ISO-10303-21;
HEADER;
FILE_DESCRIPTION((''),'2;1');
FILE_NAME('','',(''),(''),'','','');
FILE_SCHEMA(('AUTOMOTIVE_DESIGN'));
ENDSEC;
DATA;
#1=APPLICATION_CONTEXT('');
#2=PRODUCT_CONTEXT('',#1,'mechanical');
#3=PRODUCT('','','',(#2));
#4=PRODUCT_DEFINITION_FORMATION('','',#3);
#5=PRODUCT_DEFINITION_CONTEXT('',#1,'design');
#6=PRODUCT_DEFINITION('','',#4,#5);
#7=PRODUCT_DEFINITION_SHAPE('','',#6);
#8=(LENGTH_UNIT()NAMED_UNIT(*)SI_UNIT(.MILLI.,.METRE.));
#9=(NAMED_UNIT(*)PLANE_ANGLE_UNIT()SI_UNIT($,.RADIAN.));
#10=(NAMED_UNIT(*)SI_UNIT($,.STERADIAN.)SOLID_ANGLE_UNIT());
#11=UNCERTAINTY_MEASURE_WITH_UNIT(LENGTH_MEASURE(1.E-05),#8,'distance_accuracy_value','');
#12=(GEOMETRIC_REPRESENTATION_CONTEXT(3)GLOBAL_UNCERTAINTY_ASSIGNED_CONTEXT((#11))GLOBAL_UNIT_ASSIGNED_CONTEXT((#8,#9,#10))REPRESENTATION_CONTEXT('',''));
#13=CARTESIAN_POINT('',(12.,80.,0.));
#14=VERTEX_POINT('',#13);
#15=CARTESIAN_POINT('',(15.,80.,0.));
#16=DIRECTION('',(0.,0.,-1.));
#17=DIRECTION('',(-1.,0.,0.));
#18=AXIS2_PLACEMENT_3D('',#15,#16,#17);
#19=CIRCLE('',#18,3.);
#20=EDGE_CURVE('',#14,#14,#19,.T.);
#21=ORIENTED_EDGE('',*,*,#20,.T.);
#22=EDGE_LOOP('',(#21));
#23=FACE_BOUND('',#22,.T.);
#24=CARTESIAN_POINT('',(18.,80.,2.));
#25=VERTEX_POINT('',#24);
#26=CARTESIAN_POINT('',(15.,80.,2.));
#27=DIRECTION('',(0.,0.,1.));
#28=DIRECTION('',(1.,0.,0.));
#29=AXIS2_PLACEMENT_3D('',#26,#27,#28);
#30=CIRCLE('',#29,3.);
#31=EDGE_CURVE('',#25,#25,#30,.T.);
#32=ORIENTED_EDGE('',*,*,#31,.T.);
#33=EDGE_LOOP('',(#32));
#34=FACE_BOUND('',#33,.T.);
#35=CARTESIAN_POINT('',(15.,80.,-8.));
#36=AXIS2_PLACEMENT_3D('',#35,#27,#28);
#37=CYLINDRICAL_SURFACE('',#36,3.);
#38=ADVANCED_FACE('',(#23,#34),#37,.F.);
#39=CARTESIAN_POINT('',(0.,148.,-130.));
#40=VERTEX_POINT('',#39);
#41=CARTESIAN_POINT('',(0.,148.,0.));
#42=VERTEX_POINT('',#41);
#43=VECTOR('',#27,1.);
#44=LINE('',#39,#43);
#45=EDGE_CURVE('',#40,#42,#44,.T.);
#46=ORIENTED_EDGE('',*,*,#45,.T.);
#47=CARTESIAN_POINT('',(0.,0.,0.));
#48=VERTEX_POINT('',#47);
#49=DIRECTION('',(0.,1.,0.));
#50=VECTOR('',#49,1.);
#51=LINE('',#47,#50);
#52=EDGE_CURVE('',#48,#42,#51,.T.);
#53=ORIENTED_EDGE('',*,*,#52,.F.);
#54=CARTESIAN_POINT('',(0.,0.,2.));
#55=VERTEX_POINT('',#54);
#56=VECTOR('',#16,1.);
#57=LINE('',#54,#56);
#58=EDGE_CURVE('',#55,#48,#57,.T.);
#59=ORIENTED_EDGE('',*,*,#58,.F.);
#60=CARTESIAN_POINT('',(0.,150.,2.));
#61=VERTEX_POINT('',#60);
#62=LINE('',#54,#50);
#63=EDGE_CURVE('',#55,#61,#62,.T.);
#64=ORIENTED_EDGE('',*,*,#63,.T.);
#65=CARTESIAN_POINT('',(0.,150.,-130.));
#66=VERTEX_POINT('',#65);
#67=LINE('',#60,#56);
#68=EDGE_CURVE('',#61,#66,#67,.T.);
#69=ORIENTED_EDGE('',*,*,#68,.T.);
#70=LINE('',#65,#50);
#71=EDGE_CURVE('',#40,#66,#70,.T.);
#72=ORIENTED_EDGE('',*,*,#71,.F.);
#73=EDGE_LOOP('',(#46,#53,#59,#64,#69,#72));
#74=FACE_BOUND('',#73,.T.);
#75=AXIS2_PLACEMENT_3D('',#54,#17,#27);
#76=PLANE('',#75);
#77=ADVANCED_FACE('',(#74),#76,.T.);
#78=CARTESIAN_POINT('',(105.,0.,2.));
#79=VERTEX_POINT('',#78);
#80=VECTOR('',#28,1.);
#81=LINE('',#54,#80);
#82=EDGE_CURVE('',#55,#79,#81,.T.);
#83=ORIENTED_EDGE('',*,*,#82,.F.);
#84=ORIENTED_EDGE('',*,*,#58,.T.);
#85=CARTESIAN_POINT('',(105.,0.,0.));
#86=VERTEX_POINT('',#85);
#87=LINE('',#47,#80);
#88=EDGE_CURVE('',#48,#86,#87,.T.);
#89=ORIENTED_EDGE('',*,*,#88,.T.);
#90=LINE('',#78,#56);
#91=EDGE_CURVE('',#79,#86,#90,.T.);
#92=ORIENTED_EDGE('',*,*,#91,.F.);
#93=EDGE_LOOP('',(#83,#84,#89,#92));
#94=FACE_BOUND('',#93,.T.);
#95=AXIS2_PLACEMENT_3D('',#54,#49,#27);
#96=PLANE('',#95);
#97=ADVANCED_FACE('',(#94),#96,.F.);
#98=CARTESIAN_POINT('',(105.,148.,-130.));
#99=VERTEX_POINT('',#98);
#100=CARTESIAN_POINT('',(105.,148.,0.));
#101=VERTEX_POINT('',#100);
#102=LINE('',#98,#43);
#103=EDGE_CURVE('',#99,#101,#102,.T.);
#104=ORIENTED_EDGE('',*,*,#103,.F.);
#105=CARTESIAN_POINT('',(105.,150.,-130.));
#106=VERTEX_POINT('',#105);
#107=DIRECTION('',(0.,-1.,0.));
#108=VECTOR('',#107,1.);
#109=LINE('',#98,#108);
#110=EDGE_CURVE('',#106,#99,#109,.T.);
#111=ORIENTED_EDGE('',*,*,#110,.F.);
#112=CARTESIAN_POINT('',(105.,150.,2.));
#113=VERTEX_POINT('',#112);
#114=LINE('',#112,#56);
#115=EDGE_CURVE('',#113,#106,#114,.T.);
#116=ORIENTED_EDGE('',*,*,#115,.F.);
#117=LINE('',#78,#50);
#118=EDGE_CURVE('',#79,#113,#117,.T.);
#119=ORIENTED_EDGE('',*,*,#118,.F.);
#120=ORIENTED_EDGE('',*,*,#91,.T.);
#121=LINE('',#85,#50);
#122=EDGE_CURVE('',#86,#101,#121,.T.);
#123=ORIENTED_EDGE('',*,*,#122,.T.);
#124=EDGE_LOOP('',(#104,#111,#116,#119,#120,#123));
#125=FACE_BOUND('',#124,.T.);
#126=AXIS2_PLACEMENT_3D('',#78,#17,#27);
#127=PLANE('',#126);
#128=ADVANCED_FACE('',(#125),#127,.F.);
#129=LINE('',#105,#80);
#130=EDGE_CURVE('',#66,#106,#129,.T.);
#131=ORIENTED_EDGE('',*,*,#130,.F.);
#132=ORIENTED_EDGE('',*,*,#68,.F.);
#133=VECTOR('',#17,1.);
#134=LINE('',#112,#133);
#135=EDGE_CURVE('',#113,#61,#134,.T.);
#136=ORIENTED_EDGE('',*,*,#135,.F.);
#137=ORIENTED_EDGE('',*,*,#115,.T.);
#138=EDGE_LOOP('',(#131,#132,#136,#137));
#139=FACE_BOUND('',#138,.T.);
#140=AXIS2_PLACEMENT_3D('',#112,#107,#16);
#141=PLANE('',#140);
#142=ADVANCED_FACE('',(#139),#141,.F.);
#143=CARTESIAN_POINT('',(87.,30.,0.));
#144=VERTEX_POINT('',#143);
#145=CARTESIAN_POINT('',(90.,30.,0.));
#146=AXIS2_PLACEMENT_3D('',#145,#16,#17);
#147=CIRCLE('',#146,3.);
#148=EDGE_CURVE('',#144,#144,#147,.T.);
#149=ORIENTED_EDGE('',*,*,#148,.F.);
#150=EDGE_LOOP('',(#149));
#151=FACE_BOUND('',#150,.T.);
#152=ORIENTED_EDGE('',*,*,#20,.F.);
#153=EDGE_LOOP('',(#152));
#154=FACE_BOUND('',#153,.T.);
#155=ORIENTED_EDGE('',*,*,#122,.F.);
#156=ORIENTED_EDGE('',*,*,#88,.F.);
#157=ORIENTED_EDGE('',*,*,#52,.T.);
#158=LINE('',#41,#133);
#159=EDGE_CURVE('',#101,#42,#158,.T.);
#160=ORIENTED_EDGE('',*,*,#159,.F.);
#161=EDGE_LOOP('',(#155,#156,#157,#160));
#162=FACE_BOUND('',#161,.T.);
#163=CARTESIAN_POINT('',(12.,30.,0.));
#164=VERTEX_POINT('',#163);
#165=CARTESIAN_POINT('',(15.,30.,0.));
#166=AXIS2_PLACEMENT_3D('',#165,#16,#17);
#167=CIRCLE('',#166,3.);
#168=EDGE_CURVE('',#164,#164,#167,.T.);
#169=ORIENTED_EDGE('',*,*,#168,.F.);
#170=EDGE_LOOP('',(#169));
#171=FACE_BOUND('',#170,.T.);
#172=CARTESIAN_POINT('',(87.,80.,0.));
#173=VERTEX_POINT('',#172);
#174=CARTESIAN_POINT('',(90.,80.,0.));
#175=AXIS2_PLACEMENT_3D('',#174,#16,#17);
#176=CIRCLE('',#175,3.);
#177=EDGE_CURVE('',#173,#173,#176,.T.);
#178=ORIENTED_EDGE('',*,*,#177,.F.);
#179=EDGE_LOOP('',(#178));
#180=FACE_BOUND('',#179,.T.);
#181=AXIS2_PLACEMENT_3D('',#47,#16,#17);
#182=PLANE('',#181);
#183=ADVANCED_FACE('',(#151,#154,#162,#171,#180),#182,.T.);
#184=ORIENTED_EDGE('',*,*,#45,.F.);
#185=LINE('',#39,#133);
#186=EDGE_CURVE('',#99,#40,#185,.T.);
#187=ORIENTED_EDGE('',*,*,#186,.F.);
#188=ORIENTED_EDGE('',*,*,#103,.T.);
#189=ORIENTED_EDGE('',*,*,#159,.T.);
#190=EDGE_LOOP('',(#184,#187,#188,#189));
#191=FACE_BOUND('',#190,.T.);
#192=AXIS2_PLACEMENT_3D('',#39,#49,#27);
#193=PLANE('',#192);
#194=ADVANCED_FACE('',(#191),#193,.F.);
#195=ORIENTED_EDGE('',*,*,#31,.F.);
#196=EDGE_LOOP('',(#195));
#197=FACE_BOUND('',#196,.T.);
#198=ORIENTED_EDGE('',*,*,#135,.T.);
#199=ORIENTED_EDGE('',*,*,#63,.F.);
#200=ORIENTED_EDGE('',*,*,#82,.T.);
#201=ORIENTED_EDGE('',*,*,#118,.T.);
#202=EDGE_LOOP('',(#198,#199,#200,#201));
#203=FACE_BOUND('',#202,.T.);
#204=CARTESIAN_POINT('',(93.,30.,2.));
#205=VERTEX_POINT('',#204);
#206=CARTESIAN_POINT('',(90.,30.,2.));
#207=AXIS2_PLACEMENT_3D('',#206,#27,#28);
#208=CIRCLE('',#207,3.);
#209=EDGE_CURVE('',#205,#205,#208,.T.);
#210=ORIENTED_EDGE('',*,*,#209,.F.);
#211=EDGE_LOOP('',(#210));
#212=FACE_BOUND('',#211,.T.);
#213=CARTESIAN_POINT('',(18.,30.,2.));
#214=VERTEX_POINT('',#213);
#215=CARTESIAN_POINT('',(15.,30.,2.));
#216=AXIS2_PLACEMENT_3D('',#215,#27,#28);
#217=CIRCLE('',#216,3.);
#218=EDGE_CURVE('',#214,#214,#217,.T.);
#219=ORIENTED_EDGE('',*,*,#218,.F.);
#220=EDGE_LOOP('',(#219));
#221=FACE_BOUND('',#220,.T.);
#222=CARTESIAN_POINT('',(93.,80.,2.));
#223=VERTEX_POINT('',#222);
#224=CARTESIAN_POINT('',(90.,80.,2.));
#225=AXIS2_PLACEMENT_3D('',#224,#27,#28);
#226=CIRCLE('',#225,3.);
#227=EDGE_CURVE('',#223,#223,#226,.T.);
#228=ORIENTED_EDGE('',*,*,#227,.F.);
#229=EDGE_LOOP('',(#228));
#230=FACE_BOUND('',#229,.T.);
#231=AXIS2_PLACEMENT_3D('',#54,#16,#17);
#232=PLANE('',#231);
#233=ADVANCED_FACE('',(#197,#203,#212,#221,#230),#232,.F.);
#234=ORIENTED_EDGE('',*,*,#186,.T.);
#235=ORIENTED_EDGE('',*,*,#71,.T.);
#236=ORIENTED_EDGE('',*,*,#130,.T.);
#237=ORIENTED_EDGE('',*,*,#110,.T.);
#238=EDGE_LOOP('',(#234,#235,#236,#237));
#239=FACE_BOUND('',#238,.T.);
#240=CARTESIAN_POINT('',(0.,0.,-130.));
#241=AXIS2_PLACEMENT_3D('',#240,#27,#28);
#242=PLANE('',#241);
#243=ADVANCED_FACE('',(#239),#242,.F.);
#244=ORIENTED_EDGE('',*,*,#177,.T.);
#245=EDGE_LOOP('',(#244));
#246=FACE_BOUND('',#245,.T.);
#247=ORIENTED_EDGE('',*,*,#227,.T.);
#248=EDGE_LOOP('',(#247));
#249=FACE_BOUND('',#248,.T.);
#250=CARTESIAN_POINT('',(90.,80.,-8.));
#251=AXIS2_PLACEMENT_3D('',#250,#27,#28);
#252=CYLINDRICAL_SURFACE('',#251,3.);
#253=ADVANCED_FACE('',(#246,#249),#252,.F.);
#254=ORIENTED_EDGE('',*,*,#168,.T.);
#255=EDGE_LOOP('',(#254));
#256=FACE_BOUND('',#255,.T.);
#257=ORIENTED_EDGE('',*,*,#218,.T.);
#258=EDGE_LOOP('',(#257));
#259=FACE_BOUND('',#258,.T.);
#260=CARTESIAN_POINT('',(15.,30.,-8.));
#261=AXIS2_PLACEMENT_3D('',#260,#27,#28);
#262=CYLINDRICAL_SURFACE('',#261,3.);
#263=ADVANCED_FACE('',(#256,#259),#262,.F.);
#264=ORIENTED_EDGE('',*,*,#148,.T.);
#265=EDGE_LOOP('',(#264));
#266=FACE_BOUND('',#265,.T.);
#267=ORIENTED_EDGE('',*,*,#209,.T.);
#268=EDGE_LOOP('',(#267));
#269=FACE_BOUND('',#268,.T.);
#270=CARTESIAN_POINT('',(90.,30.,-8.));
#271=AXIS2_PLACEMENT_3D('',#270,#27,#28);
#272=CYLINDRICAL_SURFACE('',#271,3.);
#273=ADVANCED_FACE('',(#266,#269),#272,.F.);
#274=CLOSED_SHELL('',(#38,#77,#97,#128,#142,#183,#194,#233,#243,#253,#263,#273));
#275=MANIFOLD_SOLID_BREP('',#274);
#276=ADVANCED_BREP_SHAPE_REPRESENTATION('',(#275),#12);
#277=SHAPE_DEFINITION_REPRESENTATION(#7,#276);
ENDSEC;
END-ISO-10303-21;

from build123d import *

# Parameters (mm, degrees)
SKETCH1_W           = 105
SKETCH1_H           = 150
BOSS_EXTRUDE1_DEPTH = 2
SKETCH2_W           = 105
SKETCH2_H           = 2
BOSS_EXTRUDE2_DEPTH = 130
SKETCH3_R           = 3
CUT_EXTRUDE1_DEPTH  = 10
SKETCH4_R           = 3
CUT_EXTRUDE2_DEPTH  = 10
SKETCH5_R           = 3
CUT_EXTRUDE3_DEPTH  = 10
SKETCH6_R           = 3
CUT_EXTRUDE4_DEPTH  = 10


with BuildPart() as part:
    # Sketch1 → Boss-Extrude1 (new body)
    with BuildSketch(Plane.XY):
        with Locations((52.5, 75)):
            Rectangle(SKETCH1_W, SKETCH1_H)
    extrude(amount=BOSS_EXTRUDE1_DEPTH)

    # Sketch2 → Boss-Extrude2 (add)
    with BuildSketch(Plane(origin=(0, 0, 0), x_dir=(-1, 0, 0), z_dir=(0, 0, -1))):
        with Locations((-52.5, 149)):
            Rectangle(SKETCH2_W, SKETCH2_H)
    extrude(amount=BOSS_EXTRUDE2_DEPTH)

    # Sketch3 → Cut-Extrude1 (cut)
    with BuildSketch(Plane.XY.offset(2)):
        with Locations((15, 30)):
            Circle(SKETCH3_R)
    extrude(amount=-CUT_EXTRUDE1_DEPTH, mode=Mode.SUBTRACT)

    # Sketch4 → Cut-Extrude2 (cut)
    with BuildSketch(Plane.XY.offset(2)):
        with Locations((90, 30)):
            Circle(SKETCH4_R)
    extrude(amount=-CUT_EXTRUDE2_DEPTH, mode=Mode.SUBTRACT)

    # Sketch5 → Cut-Extrude3 (cut)
    with BuildSketch(Plane.XY.offset(2)):
        with Locations((15, 80)):
            Circle(SKETCH5_R)
    extrude(amount=-CUT_EXTRUDE3_DEPTH, mode=Mode.SUBTRACT)

    # Sketch6 → Cut-Extrude4 (cut)
    with BuildSketch(Plane.XY.offset(2)):
        with Locations((90, 80)):
            Circle(SKETCH6_R)
    extrude(amount=-CUT_EXTRUDE4_DEPTH, mode=Mode.SUBTRACT)


solid = part.part
